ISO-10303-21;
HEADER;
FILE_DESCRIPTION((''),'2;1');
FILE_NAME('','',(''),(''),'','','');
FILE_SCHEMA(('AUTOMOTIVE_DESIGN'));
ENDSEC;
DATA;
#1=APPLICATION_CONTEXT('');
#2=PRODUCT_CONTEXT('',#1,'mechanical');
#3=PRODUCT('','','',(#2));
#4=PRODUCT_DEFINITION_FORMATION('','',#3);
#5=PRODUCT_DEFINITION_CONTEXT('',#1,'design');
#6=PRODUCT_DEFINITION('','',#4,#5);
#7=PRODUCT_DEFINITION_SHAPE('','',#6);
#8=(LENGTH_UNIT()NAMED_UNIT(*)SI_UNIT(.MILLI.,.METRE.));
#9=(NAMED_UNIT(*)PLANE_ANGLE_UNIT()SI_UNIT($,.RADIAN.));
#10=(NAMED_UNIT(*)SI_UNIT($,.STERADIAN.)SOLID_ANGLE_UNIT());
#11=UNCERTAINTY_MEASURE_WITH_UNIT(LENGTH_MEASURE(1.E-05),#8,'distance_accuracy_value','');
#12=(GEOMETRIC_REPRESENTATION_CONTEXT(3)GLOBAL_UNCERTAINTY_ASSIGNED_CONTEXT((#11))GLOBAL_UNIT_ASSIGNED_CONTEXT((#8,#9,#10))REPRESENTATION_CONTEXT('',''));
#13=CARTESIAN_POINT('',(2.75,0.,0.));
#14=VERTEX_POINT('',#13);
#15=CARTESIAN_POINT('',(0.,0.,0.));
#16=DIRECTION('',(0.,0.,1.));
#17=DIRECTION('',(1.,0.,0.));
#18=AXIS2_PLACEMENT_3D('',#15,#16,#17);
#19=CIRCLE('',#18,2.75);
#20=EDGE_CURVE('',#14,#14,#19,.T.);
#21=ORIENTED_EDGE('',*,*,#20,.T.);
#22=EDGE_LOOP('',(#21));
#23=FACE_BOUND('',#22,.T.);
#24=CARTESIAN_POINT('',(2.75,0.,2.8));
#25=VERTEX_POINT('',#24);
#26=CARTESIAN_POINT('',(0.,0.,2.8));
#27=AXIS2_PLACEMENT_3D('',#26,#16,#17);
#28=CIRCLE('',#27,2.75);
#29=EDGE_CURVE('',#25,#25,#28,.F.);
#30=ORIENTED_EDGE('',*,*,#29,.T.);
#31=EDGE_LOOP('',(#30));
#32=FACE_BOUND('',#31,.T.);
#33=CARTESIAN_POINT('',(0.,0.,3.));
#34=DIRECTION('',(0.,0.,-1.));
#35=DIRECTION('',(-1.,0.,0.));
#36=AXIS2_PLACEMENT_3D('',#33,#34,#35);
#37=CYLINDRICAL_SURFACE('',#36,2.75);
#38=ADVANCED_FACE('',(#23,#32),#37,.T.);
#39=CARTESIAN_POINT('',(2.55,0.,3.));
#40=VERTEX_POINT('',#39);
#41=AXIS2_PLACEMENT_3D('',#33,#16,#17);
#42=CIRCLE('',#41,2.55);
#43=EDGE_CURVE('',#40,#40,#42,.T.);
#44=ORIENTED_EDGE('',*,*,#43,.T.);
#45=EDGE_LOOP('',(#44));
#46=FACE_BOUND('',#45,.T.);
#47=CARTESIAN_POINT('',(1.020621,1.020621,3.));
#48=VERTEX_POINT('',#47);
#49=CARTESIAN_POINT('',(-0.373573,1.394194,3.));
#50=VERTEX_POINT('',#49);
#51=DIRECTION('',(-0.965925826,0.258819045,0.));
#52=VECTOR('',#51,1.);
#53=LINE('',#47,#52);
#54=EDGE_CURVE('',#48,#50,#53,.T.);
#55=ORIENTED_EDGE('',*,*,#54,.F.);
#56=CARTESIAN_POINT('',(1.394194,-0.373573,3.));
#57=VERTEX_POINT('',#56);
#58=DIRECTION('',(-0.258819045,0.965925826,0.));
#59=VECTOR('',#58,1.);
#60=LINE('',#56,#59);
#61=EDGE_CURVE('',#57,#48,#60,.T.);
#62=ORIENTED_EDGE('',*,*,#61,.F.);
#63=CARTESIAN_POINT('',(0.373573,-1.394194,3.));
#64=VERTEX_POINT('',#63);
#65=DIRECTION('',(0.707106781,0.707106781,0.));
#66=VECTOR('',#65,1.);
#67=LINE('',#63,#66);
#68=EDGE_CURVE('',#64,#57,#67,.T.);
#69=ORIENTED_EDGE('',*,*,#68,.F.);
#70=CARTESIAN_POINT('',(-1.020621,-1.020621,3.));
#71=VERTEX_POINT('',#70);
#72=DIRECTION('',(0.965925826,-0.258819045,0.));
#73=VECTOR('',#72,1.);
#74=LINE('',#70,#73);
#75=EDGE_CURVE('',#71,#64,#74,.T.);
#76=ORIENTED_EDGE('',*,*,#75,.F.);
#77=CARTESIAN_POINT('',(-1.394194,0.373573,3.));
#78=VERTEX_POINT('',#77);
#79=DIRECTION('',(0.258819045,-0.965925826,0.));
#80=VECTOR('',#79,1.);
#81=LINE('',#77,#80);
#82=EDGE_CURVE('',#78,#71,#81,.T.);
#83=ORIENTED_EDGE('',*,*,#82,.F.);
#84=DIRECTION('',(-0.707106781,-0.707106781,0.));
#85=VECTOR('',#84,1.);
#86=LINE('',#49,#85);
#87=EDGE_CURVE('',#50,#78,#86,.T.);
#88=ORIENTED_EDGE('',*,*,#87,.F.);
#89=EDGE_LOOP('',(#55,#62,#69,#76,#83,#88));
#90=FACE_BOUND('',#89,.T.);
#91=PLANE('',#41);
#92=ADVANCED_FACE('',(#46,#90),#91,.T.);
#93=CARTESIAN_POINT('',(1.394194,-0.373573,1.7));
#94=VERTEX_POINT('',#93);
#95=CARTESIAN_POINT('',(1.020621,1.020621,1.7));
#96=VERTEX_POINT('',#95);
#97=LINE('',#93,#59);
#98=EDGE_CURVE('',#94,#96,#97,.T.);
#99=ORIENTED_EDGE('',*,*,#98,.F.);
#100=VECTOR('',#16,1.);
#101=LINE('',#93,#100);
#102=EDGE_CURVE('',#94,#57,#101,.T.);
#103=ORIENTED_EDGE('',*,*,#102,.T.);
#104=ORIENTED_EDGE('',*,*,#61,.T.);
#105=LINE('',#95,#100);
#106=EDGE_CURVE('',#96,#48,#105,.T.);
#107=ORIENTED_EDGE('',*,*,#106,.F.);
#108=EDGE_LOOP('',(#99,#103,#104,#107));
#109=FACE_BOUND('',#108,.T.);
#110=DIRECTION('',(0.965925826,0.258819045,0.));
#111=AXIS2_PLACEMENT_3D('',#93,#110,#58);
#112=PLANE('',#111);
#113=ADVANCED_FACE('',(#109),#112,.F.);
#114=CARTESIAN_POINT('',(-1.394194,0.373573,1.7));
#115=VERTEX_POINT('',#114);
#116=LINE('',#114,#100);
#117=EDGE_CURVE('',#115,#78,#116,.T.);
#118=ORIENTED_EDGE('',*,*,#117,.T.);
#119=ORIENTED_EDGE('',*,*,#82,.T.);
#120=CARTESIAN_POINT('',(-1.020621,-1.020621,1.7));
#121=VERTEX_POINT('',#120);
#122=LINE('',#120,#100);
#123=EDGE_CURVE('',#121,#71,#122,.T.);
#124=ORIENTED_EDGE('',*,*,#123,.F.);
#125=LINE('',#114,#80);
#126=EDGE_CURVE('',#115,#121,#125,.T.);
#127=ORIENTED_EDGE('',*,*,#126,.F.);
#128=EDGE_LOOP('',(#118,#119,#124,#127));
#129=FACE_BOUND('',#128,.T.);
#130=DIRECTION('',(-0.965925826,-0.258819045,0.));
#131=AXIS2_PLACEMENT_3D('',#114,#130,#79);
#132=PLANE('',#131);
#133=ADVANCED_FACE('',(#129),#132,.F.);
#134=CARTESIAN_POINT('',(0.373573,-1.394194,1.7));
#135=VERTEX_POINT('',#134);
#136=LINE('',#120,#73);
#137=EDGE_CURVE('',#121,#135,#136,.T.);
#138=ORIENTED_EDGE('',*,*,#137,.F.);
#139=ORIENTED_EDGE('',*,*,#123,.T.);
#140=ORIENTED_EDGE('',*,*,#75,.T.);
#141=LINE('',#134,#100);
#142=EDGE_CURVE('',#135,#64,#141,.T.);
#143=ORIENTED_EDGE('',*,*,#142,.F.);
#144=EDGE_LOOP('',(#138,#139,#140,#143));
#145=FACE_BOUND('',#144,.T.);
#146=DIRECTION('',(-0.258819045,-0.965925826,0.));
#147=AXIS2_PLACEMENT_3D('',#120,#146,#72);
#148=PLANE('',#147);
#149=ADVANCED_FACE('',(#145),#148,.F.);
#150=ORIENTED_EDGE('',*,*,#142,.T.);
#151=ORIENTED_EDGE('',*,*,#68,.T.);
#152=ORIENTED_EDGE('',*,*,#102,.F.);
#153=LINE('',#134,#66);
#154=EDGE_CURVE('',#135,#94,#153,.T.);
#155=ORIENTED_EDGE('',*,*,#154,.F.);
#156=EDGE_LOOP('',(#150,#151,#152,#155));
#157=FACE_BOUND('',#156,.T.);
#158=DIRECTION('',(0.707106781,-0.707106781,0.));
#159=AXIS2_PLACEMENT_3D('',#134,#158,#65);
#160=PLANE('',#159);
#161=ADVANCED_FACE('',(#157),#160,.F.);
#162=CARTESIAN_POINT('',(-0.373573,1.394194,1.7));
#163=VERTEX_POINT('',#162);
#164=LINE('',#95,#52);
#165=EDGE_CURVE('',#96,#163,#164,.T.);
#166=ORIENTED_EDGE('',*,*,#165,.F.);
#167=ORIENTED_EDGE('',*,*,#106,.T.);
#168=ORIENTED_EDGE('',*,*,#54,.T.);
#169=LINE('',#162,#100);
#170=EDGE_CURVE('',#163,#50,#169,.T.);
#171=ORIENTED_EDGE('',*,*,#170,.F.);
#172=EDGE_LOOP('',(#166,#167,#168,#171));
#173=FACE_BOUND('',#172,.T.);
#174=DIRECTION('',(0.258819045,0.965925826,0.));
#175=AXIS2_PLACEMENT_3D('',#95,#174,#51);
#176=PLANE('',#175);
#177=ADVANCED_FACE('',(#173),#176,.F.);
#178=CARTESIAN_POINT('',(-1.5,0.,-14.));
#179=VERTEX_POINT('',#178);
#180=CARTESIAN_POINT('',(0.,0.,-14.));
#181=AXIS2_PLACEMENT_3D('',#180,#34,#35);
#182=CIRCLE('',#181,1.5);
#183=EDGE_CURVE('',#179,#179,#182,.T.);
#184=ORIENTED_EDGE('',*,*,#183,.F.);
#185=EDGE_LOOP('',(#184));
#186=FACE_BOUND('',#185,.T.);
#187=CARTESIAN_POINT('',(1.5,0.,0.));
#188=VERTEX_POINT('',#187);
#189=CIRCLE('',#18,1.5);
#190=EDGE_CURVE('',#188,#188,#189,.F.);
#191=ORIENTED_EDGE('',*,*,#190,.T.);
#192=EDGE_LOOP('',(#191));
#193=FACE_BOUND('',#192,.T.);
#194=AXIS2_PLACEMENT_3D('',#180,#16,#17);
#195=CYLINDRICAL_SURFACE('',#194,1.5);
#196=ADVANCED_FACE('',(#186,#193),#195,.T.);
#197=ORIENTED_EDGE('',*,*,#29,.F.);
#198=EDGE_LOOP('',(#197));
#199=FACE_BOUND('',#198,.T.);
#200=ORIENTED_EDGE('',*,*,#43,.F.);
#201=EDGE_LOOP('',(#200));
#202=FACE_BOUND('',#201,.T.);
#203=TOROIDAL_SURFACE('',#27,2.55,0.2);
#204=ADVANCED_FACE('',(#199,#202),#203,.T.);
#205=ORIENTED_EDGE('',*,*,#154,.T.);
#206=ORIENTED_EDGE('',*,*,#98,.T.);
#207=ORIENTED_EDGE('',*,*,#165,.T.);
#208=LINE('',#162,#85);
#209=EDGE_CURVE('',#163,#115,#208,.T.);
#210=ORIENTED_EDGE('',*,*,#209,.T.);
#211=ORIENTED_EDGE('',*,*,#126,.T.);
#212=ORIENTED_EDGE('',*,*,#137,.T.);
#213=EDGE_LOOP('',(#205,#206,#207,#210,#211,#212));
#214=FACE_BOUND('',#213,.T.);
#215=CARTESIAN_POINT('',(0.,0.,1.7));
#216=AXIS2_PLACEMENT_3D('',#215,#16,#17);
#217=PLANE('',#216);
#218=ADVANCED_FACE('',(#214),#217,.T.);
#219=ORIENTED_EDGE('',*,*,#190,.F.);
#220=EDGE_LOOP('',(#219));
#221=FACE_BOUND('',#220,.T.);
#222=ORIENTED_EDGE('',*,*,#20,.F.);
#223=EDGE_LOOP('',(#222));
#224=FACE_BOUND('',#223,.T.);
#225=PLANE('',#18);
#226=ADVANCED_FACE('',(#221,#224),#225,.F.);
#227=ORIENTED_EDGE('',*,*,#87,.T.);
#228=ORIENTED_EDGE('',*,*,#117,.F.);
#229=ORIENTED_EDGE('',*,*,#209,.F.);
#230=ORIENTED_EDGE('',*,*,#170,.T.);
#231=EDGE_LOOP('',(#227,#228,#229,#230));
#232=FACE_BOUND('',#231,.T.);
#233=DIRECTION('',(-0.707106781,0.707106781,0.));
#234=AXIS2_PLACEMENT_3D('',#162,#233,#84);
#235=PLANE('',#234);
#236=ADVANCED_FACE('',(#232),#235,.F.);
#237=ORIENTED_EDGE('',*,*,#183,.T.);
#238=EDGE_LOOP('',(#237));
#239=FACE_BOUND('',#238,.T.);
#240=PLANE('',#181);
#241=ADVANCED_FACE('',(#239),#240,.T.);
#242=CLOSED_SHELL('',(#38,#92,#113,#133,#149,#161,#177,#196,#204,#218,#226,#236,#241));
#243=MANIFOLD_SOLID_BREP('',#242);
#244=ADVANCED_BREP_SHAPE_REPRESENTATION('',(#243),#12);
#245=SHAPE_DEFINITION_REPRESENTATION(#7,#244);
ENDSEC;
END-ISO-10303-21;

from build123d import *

# Parameters (mm, degrees)
SKETCH_1_R          = 2.75
EXTRUDE_1_DEPTH     = 3
CUT_EXTRUDE_1_DEPTH = 1.3
SKETCH_3_R          = 1.5
EXTRUDE_2_DEPTH     = 14
FILLET_1_R          = 0.2


with BuildPart() as part:
    # 草图1 → 凸台-拉伸1 (new body)
    with BuildSketch(Plane.XY):
        Circle(SKETCH_1_R)
    extrude(amount=EXTRUDE_1_DEPTH)

    # 草图2 → 切除-拉伸1 (cut)
    with BuildSketch(Plane.XY.offset(3)):
        Polygon((-1.020620726, -1.020620726), (0.373573113, -1.39419384), (1.39419384, -0.373573113), (1.020620726, 1.020620726), (-0.373573113, 1.39419384), (-1.39419384, 0.373573113), align=None)
    extrude(amount=-CUT_EXTRUDE_1_DEPTH, mode=Mode.SUBTRACT)

    # 草图3 → 凸台-拉伸2 (add)
    with BuildSketch(Plane(origin=(0, 0, 0), x_dir=(-1, 0, 0), z_dir=(0, 0, -1))):
        with Locations(Location((0, 0, 0), (0, 0, 180))):
            Circle(SKETCH_3_R)
    extrude(amount=EXTRUDE_2_DEPTH)

    # 圆角1
    fillet_1_edges = [part.edges().sort_by_distance(p)[0] for p in [
        (-2.75, 0, 3),
    ]]
    fillet(fillet_1_edges, radius=FILLET_1_R)


solid = part.part
